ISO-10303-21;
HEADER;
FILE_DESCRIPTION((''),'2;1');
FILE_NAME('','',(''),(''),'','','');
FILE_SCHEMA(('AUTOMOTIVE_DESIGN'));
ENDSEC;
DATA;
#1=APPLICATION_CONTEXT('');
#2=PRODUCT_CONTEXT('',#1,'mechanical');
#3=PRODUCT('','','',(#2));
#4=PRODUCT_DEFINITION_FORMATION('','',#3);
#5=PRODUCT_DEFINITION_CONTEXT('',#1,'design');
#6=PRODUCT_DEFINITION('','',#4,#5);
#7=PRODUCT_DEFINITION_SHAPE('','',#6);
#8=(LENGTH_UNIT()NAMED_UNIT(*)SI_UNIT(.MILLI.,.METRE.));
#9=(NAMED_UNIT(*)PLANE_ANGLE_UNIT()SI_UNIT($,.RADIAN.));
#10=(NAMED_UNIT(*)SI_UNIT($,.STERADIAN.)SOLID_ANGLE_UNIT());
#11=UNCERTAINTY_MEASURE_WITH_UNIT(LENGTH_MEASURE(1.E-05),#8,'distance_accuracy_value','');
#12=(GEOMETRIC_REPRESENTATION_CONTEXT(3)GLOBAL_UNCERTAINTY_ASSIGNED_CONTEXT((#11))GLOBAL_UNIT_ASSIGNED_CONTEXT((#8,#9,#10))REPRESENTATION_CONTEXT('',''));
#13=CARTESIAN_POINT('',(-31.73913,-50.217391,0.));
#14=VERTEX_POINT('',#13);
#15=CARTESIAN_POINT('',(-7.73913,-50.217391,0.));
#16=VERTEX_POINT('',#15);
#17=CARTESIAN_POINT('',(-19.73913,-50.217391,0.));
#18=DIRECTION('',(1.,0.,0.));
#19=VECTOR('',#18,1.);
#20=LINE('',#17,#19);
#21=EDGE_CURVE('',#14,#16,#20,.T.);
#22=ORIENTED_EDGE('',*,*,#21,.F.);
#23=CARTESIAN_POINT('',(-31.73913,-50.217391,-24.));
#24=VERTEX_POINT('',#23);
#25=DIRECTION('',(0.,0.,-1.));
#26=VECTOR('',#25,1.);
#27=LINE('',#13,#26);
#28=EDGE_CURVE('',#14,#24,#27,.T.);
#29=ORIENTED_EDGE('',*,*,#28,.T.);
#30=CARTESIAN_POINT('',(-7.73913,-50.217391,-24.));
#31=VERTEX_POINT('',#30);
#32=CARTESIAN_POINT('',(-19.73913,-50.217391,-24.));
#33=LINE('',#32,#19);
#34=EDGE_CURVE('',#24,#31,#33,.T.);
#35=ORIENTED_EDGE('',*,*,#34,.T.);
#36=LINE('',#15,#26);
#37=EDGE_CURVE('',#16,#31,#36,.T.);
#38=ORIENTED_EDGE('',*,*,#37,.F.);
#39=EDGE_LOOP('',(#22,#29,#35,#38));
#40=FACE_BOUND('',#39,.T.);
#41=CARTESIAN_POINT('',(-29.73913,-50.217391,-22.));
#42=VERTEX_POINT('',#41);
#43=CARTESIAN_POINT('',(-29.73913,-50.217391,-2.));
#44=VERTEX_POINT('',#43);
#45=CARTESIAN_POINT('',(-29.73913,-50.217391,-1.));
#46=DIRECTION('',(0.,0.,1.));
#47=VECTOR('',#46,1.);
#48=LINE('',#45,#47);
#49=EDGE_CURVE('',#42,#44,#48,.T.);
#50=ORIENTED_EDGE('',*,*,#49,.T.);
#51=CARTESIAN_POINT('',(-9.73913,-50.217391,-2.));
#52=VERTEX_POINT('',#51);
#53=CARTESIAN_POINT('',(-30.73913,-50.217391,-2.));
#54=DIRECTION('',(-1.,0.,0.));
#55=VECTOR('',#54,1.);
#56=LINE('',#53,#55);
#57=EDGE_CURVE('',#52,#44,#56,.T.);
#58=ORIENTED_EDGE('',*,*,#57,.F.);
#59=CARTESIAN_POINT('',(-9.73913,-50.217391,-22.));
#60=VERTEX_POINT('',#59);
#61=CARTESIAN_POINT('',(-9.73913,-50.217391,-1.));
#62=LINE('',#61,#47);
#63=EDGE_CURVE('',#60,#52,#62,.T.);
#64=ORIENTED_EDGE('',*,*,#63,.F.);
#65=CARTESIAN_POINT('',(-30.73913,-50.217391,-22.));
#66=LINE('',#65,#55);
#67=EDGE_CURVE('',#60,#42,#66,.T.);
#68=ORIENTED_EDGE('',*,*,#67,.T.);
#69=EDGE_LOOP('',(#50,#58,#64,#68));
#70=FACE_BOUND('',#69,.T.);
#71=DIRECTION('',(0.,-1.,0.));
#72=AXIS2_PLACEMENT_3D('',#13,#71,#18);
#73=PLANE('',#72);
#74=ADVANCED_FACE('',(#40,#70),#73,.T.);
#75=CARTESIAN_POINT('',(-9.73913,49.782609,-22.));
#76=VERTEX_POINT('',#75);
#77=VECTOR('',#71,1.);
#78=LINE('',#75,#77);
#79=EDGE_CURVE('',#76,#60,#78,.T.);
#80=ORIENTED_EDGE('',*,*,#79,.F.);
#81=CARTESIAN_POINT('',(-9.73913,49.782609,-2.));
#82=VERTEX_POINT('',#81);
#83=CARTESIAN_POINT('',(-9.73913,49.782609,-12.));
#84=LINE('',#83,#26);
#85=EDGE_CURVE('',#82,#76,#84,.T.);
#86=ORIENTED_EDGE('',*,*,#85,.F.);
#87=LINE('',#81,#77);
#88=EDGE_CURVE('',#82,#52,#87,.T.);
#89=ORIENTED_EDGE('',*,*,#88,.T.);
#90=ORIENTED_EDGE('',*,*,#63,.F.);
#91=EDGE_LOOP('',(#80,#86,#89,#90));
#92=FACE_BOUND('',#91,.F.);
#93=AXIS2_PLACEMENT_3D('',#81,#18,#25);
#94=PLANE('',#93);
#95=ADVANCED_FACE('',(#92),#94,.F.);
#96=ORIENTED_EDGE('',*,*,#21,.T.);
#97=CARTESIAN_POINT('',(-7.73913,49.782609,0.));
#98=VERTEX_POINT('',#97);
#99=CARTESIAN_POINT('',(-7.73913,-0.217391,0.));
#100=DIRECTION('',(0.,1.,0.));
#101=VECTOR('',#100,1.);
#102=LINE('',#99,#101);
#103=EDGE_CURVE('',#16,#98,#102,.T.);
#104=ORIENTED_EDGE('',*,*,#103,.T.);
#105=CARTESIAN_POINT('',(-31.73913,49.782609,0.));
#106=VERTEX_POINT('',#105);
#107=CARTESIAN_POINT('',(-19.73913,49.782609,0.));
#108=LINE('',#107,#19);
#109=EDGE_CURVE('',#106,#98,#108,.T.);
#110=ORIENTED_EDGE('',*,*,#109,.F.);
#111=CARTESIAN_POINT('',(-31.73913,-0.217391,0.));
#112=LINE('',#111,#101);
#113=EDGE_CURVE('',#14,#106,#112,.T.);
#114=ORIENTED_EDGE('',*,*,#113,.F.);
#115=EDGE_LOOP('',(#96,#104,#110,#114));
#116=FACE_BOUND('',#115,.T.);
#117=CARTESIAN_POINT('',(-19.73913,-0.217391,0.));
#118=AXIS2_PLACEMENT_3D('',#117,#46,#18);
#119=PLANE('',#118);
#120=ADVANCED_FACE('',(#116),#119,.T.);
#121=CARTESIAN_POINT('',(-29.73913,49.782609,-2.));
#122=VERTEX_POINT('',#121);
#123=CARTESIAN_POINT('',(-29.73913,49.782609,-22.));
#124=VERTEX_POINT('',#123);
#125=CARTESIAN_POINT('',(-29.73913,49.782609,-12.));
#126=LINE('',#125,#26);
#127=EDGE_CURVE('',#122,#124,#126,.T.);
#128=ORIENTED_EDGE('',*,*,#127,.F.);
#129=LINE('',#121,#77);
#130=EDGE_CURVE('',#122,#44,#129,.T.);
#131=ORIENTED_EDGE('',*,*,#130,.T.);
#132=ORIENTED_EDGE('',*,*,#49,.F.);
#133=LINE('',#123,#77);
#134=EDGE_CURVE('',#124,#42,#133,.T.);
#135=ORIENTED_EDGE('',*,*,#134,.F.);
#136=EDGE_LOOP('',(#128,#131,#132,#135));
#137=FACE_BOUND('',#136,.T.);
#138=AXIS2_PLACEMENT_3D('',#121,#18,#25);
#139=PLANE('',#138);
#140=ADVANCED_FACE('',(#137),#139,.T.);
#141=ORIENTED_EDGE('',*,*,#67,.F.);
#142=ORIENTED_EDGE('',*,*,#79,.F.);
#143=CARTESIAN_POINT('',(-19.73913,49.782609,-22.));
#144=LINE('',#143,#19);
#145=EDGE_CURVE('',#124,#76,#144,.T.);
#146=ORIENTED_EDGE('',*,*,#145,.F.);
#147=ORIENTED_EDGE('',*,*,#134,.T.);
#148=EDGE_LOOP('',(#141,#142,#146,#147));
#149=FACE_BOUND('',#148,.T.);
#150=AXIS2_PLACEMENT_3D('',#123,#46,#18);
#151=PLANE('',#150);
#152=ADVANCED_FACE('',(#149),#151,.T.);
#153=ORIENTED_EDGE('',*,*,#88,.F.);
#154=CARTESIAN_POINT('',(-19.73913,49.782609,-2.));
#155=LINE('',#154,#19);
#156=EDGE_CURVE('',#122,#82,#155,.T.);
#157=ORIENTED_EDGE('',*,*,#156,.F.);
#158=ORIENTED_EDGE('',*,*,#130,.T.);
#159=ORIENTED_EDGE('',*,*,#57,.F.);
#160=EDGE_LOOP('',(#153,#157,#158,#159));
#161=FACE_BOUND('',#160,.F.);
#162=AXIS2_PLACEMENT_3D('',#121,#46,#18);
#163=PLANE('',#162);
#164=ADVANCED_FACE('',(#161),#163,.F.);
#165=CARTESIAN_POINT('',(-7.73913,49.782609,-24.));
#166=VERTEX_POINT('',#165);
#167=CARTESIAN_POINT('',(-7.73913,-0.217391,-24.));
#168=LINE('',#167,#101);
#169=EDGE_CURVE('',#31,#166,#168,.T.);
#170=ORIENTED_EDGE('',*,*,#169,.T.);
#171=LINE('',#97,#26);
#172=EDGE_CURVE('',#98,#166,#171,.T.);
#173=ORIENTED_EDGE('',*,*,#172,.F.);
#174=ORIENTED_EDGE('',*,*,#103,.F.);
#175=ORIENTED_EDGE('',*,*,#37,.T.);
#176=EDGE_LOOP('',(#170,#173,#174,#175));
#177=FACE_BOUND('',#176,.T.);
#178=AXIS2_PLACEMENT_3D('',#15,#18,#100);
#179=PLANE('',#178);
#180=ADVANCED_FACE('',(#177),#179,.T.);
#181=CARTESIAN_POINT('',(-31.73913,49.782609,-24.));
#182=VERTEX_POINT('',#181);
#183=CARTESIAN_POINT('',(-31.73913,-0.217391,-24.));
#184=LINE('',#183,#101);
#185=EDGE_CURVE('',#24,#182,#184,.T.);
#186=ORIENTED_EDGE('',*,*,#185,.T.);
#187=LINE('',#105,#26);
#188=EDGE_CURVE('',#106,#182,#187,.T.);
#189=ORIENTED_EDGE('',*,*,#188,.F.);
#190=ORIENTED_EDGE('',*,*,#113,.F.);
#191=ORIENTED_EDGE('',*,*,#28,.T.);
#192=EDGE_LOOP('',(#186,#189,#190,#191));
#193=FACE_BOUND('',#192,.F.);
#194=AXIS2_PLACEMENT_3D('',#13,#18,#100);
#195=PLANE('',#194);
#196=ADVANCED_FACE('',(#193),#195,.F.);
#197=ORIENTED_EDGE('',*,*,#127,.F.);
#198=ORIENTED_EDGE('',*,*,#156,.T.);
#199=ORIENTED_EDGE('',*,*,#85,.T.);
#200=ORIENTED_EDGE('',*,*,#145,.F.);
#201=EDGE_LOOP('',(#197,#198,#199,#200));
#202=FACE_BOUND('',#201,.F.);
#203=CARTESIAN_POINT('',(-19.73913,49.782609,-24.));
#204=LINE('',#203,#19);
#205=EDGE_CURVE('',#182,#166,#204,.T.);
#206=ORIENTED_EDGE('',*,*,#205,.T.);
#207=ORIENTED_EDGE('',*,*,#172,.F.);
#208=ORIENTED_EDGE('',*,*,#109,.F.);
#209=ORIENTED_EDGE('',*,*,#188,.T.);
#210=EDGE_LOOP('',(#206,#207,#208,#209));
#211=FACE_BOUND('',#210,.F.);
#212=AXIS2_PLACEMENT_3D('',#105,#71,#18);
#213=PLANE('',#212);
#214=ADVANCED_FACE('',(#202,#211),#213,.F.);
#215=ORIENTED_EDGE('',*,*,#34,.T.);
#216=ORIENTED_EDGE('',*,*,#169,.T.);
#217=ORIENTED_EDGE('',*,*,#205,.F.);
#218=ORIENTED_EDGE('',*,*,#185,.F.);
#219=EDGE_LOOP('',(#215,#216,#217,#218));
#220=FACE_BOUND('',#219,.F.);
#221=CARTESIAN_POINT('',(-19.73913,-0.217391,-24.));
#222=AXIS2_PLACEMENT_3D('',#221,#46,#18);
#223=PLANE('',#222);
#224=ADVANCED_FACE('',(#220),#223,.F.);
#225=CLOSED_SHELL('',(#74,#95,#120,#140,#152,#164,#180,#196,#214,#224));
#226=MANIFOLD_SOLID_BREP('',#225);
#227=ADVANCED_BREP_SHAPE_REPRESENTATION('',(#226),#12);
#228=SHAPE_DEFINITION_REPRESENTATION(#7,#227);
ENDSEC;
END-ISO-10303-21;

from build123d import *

# Parameters (mm, degrees)
SKETCH1_W           = 24
SKETCH1_H           = 100
BOSS_EXTRUDE1_DEPTH = 24
SKETCH2_W           = 20
SKETCH2_H           = 20
CUT_EXTRUDE1_DEPTH  = 200


with BuildPart() as part:
    # Sketch1 → Boss-Extrude1 (new body)
    with BuildSketch(Plane.XY):
        with Locations((-19.739130435, -0.217391304)):
            Rectangle(SKETCH1_W, SKETCH1_H)
    extrude(amount=-BOSS_EXTRUDE1_DEPTH)

    # Sketch2 → Cut-Extrude1 (cut)
    with BuildSketch(Plane(origin=(0, 49.782608696, 0), x_dir=(1, 0, 0), z_dir=(0, 1, 0))):
        with Locations((-19.739130435, 12)):
            Rectangle(SKETCH2_W, SKETCH2_H)
    extrude(amount=-CUT_EXTRUDE1_DEPTH, mode=Mode.SUBTRACT)


solid = part.part
